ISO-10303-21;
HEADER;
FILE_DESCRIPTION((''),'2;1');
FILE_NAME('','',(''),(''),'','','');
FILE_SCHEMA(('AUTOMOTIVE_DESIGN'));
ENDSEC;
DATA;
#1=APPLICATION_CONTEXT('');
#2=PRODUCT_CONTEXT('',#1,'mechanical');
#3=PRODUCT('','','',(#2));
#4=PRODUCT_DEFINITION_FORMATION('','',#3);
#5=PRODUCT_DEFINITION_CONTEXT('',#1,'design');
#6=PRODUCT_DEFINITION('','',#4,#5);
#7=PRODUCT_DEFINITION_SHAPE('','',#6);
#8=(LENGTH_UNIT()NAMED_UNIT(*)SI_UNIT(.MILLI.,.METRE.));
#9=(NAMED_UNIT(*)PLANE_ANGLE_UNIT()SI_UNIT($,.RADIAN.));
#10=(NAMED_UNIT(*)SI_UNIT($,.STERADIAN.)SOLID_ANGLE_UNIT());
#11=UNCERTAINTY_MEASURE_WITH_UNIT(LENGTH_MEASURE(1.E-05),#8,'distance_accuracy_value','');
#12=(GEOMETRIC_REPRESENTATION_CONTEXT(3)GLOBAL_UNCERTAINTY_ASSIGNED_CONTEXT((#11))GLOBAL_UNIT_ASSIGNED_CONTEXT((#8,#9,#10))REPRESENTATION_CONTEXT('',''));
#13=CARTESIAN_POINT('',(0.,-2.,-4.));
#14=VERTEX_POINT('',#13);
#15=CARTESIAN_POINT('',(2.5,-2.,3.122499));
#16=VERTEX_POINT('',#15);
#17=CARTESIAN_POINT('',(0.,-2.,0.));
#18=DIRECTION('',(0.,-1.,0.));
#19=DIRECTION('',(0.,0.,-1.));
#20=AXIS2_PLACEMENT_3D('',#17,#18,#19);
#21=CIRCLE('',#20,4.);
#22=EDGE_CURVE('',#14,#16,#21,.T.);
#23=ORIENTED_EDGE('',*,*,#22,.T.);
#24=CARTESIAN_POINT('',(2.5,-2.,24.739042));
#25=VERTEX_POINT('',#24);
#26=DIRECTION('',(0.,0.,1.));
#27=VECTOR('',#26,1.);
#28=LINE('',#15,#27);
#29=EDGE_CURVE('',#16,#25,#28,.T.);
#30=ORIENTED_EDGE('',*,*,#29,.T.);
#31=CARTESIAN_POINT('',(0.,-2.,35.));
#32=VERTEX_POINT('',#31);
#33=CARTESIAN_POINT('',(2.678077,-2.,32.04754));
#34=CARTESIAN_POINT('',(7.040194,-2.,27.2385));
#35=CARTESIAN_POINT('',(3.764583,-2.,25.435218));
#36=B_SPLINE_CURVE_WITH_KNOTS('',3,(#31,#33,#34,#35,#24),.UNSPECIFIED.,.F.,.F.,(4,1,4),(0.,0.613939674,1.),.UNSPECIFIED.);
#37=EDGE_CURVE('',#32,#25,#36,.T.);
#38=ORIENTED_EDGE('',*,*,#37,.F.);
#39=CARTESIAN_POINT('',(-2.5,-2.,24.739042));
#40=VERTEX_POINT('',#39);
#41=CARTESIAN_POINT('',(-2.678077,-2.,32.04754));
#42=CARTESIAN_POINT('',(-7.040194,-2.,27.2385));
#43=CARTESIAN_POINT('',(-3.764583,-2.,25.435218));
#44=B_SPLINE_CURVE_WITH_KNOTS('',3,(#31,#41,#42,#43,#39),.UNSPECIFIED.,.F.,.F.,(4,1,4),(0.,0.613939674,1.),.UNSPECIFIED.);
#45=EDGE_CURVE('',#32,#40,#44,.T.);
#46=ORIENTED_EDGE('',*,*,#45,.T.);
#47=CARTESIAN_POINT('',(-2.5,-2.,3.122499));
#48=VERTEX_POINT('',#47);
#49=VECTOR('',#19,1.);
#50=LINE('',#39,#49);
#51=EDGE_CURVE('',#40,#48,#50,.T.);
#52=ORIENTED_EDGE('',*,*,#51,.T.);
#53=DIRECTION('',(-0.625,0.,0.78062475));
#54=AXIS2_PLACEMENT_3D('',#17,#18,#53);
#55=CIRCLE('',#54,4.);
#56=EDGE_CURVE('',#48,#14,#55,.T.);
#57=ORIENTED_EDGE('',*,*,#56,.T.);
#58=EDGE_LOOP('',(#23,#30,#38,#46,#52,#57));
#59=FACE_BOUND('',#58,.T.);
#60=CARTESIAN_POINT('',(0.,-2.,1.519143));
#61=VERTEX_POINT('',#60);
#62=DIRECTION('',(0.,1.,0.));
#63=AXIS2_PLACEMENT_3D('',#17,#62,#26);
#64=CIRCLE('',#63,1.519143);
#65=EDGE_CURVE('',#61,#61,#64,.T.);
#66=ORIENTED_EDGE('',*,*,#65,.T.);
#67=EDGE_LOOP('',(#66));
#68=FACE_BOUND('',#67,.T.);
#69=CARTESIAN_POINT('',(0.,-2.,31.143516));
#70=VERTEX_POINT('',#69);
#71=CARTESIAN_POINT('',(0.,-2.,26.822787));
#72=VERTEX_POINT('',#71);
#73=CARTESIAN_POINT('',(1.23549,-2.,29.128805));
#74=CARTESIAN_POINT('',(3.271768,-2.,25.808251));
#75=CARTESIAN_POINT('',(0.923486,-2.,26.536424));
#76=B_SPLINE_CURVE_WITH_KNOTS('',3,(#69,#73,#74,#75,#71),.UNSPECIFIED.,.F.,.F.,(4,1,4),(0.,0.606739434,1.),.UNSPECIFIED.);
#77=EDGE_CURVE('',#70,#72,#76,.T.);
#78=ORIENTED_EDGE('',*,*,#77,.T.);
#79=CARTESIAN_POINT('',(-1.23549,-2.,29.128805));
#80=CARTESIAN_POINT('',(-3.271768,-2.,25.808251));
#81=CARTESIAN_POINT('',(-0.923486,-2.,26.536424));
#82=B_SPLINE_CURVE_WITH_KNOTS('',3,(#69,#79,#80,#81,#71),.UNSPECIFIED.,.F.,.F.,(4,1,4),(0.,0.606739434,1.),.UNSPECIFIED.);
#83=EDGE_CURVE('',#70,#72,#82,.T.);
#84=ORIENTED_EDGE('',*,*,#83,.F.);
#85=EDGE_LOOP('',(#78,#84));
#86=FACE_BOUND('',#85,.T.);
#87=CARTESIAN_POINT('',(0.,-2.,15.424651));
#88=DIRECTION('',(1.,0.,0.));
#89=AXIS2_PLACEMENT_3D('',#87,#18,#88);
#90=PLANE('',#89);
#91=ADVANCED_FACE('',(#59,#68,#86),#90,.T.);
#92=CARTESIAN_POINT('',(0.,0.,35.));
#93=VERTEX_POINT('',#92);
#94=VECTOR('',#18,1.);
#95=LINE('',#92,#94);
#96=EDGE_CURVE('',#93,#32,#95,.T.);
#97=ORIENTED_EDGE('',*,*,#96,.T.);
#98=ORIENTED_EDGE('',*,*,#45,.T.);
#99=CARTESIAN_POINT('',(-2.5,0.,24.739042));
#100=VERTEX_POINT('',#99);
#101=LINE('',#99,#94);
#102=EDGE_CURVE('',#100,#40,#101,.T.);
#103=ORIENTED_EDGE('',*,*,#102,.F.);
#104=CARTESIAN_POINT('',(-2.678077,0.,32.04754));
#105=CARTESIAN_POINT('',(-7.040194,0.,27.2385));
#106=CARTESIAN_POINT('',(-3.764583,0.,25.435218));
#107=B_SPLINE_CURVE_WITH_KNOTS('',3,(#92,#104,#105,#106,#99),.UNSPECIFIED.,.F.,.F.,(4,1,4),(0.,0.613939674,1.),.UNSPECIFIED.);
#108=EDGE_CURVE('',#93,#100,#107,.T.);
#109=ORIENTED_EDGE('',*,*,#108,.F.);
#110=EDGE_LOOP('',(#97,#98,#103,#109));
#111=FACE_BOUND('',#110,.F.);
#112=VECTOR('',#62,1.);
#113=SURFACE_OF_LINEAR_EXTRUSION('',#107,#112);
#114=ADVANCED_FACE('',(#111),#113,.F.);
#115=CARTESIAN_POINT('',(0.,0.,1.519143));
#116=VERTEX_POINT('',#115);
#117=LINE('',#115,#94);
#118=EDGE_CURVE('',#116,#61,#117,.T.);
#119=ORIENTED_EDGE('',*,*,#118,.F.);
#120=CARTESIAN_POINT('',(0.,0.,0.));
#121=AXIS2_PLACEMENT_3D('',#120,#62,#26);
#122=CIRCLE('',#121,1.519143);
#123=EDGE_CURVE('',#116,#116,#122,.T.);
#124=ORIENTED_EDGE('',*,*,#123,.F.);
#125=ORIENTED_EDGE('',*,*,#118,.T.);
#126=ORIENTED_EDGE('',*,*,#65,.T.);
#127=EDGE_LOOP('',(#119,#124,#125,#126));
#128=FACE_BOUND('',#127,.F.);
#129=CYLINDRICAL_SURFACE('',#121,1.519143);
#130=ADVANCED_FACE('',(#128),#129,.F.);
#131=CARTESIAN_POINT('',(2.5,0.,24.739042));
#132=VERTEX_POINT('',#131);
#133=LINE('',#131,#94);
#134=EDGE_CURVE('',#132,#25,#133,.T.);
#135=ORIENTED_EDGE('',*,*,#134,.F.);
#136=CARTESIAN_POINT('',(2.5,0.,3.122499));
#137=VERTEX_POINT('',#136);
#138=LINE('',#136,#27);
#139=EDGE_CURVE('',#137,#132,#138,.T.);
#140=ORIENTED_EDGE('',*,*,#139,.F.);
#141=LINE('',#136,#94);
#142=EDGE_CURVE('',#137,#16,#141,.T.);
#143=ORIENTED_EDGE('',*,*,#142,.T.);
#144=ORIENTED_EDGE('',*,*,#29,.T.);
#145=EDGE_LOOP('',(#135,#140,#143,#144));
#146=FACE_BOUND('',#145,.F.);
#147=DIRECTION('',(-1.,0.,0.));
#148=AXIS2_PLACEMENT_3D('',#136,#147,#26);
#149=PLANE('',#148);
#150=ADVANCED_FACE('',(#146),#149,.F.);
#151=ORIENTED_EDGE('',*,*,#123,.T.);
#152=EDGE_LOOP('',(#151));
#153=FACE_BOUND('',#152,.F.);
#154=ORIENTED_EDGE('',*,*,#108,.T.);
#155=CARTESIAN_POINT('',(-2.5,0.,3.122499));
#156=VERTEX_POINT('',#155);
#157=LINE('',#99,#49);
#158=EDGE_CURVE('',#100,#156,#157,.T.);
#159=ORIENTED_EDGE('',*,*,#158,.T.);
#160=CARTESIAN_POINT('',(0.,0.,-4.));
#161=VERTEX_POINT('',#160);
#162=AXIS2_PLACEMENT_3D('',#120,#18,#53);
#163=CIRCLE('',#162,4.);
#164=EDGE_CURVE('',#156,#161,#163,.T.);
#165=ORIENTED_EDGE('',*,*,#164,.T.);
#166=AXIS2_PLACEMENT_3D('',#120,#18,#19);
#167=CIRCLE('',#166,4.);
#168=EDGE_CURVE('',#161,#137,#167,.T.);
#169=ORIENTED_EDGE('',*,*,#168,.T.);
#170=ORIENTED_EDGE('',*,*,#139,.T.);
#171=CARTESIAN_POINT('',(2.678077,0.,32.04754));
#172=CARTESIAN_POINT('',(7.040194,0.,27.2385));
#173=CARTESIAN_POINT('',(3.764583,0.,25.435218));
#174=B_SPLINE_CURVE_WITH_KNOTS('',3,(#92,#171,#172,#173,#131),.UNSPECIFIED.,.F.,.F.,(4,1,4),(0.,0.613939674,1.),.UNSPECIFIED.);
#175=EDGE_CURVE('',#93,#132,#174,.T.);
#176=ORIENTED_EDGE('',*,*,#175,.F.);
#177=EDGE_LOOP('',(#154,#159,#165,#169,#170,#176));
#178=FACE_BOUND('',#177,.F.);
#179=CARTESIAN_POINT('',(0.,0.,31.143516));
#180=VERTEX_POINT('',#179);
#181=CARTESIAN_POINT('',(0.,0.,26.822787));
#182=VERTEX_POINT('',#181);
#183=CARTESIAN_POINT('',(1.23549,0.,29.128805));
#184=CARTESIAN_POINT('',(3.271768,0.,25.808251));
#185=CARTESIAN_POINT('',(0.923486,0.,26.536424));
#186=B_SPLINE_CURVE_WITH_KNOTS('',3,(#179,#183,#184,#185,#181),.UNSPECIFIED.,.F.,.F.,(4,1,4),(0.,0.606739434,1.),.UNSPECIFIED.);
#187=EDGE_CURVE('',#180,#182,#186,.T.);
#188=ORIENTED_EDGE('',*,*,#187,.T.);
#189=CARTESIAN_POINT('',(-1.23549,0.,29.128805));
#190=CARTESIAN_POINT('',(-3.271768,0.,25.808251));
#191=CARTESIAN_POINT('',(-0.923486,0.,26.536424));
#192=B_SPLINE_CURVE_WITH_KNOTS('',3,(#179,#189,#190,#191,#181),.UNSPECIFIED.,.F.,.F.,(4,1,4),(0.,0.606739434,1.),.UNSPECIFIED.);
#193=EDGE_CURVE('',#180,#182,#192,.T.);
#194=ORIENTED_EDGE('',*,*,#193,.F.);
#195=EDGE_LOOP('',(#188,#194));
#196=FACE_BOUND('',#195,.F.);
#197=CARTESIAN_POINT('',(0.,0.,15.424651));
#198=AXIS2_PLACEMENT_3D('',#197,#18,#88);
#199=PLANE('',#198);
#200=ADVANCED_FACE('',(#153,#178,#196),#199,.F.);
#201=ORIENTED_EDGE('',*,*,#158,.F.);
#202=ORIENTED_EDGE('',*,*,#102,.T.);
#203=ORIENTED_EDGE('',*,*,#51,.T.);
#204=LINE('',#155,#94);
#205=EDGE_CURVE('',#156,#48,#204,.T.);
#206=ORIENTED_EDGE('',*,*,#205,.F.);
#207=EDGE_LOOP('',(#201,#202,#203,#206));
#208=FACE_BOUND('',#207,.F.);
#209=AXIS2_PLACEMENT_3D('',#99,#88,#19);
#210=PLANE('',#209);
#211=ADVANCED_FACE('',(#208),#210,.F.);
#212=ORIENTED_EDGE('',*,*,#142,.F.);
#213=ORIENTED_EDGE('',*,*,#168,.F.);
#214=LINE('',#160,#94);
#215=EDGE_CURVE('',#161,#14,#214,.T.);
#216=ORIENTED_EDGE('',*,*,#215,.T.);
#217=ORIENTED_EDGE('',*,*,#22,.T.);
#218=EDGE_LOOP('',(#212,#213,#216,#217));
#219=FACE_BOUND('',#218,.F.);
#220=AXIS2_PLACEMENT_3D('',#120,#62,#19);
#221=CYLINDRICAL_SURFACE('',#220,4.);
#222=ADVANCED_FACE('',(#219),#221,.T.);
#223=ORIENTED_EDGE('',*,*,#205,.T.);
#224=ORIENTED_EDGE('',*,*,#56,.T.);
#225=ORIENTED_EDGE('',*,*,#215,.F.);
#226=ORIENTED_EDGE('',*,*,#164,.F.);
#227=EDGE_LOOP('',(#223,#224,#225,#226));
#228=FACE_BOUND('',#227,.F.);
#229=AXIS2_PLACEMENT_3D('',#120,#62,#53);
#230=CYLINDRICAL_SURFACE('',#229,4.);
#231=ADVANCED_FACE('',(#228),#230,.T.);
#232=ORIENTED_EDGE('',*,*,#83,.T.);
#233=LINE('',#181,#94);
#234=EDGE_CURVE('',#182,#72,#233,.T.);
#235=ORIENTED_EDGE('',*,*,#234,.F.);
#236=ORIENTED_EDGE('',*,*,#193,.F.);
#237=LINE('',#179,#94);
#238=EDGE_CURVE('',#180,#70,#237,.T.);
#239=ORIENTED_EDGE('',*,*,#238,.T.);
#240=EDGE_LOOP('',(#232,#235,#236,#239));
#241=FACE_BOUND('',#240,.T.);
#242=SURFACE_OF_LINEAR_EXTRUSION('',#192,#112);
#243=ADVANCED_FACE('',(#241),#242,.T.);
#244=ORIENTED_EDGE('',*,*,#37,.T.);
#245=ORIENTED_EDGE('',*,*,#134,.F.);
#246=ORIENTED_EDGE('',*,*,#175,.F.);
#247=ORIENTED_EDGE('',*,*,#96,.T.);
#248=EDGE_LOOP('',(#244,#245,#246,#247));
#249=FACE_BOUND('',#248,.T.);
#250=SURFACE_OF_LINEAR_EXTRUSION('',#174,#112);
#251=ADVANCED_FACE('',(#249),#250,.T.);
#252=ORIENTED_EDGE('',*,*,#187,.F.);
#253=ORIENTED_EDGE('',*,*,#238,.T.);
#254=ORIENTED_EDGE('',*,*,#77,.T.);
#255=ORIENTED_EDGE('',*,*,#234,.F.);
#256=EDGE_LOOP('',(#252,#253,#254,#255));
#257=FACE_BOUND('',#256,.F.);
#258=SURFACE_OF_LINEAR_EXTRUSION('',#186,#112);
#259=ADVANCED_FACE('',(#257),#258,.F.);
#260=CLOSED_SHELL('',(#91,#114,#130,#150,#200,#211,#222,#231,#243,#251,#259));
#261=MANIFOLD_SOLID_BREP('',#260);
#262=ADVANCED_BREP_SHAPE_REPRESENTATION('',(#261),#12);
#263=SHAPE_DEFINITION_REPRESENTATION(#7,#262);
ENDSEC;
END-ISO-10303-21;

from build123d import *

# Parameters (mm, degrees)
F1_DEPTH = 2


with BuildPart() as f1:
    # F0 (on Front) → F1 (new body)
    with BuildSketch(Plane.XZ):
        with BuildLine():
            Line((-2.5, 24.7390419245), (-2.5, 3.1224989992))
            ThreePointArc((-2.5, 3.1224989992), (-3.7742546282, -1.3247648854), (0, -4))
            ThreePointArc((0, -4), (3.7742546282, -1.3247648854), (2.5, 3.1224989992))
            Line((2.5, 3.1224989992), (2.5, 24.7390419245))
            add(Edge.make_bspline(
                [(0, 35), (2.6780768056, 32.0475395766), (7.0401936793, 27.2384997362), (3.7645832593, 25.4352175715), (2.5, 24.7390419245)],
                knots=[0, 0, 0, 0, 0.6139396742, 1, 1, 1, 1], degree=3))
            add(Edge.make_bspline(
                [(0, 35), (-2.6780768056, 32.0475395766), (-7.0401936793, 27.2384997362), (-3.7645832593, 25.4352175715), (-2.5, 24.7390419245)],
                knots=[0, 0, 0, 0, 0.6139396742, 1, 1, 1, 1], degree=3))
        make_face()
        with BuildLine():
            ThreePointArc((0, -1.5191429047), (-1.5191429047, 0), (0, 1.5191429047))
            ThreePointArc((0, 1.5191429047), (1.5191429047, 0), (0, -1.5191429047))
        make_face(mode=Mode.SUBTRACT)
        with BuildLine():
            add(Edge.make_bspline(
                [(0, 31.1435163021), (-1.2354901485, 29.1288048963), (-3.2717680855, 25.8082507742), (-0.9234860023, 26.5364242479), (0, 26.8227867782)],
                knots=[0, 0, 0, 0, 0.6067394335, 1, 1, 1, 1], degree=3))
            add(Edge.make_bspline(
                [(0, 31.1435163021), (1.2354901485, 29.1288048963), (3.2717680855, 25.8082507742), (0.9234860023, 26.5364242479), (0, 26.8227867782)],
                knots=[0, 0, 0, 0, 0.6067394335, 1, 1, 1, 1], degree=3))
        make_face(mode=Mode.SUBTRACT)
    extrude(amount=F1_DEPTH)


solid = f1.part
